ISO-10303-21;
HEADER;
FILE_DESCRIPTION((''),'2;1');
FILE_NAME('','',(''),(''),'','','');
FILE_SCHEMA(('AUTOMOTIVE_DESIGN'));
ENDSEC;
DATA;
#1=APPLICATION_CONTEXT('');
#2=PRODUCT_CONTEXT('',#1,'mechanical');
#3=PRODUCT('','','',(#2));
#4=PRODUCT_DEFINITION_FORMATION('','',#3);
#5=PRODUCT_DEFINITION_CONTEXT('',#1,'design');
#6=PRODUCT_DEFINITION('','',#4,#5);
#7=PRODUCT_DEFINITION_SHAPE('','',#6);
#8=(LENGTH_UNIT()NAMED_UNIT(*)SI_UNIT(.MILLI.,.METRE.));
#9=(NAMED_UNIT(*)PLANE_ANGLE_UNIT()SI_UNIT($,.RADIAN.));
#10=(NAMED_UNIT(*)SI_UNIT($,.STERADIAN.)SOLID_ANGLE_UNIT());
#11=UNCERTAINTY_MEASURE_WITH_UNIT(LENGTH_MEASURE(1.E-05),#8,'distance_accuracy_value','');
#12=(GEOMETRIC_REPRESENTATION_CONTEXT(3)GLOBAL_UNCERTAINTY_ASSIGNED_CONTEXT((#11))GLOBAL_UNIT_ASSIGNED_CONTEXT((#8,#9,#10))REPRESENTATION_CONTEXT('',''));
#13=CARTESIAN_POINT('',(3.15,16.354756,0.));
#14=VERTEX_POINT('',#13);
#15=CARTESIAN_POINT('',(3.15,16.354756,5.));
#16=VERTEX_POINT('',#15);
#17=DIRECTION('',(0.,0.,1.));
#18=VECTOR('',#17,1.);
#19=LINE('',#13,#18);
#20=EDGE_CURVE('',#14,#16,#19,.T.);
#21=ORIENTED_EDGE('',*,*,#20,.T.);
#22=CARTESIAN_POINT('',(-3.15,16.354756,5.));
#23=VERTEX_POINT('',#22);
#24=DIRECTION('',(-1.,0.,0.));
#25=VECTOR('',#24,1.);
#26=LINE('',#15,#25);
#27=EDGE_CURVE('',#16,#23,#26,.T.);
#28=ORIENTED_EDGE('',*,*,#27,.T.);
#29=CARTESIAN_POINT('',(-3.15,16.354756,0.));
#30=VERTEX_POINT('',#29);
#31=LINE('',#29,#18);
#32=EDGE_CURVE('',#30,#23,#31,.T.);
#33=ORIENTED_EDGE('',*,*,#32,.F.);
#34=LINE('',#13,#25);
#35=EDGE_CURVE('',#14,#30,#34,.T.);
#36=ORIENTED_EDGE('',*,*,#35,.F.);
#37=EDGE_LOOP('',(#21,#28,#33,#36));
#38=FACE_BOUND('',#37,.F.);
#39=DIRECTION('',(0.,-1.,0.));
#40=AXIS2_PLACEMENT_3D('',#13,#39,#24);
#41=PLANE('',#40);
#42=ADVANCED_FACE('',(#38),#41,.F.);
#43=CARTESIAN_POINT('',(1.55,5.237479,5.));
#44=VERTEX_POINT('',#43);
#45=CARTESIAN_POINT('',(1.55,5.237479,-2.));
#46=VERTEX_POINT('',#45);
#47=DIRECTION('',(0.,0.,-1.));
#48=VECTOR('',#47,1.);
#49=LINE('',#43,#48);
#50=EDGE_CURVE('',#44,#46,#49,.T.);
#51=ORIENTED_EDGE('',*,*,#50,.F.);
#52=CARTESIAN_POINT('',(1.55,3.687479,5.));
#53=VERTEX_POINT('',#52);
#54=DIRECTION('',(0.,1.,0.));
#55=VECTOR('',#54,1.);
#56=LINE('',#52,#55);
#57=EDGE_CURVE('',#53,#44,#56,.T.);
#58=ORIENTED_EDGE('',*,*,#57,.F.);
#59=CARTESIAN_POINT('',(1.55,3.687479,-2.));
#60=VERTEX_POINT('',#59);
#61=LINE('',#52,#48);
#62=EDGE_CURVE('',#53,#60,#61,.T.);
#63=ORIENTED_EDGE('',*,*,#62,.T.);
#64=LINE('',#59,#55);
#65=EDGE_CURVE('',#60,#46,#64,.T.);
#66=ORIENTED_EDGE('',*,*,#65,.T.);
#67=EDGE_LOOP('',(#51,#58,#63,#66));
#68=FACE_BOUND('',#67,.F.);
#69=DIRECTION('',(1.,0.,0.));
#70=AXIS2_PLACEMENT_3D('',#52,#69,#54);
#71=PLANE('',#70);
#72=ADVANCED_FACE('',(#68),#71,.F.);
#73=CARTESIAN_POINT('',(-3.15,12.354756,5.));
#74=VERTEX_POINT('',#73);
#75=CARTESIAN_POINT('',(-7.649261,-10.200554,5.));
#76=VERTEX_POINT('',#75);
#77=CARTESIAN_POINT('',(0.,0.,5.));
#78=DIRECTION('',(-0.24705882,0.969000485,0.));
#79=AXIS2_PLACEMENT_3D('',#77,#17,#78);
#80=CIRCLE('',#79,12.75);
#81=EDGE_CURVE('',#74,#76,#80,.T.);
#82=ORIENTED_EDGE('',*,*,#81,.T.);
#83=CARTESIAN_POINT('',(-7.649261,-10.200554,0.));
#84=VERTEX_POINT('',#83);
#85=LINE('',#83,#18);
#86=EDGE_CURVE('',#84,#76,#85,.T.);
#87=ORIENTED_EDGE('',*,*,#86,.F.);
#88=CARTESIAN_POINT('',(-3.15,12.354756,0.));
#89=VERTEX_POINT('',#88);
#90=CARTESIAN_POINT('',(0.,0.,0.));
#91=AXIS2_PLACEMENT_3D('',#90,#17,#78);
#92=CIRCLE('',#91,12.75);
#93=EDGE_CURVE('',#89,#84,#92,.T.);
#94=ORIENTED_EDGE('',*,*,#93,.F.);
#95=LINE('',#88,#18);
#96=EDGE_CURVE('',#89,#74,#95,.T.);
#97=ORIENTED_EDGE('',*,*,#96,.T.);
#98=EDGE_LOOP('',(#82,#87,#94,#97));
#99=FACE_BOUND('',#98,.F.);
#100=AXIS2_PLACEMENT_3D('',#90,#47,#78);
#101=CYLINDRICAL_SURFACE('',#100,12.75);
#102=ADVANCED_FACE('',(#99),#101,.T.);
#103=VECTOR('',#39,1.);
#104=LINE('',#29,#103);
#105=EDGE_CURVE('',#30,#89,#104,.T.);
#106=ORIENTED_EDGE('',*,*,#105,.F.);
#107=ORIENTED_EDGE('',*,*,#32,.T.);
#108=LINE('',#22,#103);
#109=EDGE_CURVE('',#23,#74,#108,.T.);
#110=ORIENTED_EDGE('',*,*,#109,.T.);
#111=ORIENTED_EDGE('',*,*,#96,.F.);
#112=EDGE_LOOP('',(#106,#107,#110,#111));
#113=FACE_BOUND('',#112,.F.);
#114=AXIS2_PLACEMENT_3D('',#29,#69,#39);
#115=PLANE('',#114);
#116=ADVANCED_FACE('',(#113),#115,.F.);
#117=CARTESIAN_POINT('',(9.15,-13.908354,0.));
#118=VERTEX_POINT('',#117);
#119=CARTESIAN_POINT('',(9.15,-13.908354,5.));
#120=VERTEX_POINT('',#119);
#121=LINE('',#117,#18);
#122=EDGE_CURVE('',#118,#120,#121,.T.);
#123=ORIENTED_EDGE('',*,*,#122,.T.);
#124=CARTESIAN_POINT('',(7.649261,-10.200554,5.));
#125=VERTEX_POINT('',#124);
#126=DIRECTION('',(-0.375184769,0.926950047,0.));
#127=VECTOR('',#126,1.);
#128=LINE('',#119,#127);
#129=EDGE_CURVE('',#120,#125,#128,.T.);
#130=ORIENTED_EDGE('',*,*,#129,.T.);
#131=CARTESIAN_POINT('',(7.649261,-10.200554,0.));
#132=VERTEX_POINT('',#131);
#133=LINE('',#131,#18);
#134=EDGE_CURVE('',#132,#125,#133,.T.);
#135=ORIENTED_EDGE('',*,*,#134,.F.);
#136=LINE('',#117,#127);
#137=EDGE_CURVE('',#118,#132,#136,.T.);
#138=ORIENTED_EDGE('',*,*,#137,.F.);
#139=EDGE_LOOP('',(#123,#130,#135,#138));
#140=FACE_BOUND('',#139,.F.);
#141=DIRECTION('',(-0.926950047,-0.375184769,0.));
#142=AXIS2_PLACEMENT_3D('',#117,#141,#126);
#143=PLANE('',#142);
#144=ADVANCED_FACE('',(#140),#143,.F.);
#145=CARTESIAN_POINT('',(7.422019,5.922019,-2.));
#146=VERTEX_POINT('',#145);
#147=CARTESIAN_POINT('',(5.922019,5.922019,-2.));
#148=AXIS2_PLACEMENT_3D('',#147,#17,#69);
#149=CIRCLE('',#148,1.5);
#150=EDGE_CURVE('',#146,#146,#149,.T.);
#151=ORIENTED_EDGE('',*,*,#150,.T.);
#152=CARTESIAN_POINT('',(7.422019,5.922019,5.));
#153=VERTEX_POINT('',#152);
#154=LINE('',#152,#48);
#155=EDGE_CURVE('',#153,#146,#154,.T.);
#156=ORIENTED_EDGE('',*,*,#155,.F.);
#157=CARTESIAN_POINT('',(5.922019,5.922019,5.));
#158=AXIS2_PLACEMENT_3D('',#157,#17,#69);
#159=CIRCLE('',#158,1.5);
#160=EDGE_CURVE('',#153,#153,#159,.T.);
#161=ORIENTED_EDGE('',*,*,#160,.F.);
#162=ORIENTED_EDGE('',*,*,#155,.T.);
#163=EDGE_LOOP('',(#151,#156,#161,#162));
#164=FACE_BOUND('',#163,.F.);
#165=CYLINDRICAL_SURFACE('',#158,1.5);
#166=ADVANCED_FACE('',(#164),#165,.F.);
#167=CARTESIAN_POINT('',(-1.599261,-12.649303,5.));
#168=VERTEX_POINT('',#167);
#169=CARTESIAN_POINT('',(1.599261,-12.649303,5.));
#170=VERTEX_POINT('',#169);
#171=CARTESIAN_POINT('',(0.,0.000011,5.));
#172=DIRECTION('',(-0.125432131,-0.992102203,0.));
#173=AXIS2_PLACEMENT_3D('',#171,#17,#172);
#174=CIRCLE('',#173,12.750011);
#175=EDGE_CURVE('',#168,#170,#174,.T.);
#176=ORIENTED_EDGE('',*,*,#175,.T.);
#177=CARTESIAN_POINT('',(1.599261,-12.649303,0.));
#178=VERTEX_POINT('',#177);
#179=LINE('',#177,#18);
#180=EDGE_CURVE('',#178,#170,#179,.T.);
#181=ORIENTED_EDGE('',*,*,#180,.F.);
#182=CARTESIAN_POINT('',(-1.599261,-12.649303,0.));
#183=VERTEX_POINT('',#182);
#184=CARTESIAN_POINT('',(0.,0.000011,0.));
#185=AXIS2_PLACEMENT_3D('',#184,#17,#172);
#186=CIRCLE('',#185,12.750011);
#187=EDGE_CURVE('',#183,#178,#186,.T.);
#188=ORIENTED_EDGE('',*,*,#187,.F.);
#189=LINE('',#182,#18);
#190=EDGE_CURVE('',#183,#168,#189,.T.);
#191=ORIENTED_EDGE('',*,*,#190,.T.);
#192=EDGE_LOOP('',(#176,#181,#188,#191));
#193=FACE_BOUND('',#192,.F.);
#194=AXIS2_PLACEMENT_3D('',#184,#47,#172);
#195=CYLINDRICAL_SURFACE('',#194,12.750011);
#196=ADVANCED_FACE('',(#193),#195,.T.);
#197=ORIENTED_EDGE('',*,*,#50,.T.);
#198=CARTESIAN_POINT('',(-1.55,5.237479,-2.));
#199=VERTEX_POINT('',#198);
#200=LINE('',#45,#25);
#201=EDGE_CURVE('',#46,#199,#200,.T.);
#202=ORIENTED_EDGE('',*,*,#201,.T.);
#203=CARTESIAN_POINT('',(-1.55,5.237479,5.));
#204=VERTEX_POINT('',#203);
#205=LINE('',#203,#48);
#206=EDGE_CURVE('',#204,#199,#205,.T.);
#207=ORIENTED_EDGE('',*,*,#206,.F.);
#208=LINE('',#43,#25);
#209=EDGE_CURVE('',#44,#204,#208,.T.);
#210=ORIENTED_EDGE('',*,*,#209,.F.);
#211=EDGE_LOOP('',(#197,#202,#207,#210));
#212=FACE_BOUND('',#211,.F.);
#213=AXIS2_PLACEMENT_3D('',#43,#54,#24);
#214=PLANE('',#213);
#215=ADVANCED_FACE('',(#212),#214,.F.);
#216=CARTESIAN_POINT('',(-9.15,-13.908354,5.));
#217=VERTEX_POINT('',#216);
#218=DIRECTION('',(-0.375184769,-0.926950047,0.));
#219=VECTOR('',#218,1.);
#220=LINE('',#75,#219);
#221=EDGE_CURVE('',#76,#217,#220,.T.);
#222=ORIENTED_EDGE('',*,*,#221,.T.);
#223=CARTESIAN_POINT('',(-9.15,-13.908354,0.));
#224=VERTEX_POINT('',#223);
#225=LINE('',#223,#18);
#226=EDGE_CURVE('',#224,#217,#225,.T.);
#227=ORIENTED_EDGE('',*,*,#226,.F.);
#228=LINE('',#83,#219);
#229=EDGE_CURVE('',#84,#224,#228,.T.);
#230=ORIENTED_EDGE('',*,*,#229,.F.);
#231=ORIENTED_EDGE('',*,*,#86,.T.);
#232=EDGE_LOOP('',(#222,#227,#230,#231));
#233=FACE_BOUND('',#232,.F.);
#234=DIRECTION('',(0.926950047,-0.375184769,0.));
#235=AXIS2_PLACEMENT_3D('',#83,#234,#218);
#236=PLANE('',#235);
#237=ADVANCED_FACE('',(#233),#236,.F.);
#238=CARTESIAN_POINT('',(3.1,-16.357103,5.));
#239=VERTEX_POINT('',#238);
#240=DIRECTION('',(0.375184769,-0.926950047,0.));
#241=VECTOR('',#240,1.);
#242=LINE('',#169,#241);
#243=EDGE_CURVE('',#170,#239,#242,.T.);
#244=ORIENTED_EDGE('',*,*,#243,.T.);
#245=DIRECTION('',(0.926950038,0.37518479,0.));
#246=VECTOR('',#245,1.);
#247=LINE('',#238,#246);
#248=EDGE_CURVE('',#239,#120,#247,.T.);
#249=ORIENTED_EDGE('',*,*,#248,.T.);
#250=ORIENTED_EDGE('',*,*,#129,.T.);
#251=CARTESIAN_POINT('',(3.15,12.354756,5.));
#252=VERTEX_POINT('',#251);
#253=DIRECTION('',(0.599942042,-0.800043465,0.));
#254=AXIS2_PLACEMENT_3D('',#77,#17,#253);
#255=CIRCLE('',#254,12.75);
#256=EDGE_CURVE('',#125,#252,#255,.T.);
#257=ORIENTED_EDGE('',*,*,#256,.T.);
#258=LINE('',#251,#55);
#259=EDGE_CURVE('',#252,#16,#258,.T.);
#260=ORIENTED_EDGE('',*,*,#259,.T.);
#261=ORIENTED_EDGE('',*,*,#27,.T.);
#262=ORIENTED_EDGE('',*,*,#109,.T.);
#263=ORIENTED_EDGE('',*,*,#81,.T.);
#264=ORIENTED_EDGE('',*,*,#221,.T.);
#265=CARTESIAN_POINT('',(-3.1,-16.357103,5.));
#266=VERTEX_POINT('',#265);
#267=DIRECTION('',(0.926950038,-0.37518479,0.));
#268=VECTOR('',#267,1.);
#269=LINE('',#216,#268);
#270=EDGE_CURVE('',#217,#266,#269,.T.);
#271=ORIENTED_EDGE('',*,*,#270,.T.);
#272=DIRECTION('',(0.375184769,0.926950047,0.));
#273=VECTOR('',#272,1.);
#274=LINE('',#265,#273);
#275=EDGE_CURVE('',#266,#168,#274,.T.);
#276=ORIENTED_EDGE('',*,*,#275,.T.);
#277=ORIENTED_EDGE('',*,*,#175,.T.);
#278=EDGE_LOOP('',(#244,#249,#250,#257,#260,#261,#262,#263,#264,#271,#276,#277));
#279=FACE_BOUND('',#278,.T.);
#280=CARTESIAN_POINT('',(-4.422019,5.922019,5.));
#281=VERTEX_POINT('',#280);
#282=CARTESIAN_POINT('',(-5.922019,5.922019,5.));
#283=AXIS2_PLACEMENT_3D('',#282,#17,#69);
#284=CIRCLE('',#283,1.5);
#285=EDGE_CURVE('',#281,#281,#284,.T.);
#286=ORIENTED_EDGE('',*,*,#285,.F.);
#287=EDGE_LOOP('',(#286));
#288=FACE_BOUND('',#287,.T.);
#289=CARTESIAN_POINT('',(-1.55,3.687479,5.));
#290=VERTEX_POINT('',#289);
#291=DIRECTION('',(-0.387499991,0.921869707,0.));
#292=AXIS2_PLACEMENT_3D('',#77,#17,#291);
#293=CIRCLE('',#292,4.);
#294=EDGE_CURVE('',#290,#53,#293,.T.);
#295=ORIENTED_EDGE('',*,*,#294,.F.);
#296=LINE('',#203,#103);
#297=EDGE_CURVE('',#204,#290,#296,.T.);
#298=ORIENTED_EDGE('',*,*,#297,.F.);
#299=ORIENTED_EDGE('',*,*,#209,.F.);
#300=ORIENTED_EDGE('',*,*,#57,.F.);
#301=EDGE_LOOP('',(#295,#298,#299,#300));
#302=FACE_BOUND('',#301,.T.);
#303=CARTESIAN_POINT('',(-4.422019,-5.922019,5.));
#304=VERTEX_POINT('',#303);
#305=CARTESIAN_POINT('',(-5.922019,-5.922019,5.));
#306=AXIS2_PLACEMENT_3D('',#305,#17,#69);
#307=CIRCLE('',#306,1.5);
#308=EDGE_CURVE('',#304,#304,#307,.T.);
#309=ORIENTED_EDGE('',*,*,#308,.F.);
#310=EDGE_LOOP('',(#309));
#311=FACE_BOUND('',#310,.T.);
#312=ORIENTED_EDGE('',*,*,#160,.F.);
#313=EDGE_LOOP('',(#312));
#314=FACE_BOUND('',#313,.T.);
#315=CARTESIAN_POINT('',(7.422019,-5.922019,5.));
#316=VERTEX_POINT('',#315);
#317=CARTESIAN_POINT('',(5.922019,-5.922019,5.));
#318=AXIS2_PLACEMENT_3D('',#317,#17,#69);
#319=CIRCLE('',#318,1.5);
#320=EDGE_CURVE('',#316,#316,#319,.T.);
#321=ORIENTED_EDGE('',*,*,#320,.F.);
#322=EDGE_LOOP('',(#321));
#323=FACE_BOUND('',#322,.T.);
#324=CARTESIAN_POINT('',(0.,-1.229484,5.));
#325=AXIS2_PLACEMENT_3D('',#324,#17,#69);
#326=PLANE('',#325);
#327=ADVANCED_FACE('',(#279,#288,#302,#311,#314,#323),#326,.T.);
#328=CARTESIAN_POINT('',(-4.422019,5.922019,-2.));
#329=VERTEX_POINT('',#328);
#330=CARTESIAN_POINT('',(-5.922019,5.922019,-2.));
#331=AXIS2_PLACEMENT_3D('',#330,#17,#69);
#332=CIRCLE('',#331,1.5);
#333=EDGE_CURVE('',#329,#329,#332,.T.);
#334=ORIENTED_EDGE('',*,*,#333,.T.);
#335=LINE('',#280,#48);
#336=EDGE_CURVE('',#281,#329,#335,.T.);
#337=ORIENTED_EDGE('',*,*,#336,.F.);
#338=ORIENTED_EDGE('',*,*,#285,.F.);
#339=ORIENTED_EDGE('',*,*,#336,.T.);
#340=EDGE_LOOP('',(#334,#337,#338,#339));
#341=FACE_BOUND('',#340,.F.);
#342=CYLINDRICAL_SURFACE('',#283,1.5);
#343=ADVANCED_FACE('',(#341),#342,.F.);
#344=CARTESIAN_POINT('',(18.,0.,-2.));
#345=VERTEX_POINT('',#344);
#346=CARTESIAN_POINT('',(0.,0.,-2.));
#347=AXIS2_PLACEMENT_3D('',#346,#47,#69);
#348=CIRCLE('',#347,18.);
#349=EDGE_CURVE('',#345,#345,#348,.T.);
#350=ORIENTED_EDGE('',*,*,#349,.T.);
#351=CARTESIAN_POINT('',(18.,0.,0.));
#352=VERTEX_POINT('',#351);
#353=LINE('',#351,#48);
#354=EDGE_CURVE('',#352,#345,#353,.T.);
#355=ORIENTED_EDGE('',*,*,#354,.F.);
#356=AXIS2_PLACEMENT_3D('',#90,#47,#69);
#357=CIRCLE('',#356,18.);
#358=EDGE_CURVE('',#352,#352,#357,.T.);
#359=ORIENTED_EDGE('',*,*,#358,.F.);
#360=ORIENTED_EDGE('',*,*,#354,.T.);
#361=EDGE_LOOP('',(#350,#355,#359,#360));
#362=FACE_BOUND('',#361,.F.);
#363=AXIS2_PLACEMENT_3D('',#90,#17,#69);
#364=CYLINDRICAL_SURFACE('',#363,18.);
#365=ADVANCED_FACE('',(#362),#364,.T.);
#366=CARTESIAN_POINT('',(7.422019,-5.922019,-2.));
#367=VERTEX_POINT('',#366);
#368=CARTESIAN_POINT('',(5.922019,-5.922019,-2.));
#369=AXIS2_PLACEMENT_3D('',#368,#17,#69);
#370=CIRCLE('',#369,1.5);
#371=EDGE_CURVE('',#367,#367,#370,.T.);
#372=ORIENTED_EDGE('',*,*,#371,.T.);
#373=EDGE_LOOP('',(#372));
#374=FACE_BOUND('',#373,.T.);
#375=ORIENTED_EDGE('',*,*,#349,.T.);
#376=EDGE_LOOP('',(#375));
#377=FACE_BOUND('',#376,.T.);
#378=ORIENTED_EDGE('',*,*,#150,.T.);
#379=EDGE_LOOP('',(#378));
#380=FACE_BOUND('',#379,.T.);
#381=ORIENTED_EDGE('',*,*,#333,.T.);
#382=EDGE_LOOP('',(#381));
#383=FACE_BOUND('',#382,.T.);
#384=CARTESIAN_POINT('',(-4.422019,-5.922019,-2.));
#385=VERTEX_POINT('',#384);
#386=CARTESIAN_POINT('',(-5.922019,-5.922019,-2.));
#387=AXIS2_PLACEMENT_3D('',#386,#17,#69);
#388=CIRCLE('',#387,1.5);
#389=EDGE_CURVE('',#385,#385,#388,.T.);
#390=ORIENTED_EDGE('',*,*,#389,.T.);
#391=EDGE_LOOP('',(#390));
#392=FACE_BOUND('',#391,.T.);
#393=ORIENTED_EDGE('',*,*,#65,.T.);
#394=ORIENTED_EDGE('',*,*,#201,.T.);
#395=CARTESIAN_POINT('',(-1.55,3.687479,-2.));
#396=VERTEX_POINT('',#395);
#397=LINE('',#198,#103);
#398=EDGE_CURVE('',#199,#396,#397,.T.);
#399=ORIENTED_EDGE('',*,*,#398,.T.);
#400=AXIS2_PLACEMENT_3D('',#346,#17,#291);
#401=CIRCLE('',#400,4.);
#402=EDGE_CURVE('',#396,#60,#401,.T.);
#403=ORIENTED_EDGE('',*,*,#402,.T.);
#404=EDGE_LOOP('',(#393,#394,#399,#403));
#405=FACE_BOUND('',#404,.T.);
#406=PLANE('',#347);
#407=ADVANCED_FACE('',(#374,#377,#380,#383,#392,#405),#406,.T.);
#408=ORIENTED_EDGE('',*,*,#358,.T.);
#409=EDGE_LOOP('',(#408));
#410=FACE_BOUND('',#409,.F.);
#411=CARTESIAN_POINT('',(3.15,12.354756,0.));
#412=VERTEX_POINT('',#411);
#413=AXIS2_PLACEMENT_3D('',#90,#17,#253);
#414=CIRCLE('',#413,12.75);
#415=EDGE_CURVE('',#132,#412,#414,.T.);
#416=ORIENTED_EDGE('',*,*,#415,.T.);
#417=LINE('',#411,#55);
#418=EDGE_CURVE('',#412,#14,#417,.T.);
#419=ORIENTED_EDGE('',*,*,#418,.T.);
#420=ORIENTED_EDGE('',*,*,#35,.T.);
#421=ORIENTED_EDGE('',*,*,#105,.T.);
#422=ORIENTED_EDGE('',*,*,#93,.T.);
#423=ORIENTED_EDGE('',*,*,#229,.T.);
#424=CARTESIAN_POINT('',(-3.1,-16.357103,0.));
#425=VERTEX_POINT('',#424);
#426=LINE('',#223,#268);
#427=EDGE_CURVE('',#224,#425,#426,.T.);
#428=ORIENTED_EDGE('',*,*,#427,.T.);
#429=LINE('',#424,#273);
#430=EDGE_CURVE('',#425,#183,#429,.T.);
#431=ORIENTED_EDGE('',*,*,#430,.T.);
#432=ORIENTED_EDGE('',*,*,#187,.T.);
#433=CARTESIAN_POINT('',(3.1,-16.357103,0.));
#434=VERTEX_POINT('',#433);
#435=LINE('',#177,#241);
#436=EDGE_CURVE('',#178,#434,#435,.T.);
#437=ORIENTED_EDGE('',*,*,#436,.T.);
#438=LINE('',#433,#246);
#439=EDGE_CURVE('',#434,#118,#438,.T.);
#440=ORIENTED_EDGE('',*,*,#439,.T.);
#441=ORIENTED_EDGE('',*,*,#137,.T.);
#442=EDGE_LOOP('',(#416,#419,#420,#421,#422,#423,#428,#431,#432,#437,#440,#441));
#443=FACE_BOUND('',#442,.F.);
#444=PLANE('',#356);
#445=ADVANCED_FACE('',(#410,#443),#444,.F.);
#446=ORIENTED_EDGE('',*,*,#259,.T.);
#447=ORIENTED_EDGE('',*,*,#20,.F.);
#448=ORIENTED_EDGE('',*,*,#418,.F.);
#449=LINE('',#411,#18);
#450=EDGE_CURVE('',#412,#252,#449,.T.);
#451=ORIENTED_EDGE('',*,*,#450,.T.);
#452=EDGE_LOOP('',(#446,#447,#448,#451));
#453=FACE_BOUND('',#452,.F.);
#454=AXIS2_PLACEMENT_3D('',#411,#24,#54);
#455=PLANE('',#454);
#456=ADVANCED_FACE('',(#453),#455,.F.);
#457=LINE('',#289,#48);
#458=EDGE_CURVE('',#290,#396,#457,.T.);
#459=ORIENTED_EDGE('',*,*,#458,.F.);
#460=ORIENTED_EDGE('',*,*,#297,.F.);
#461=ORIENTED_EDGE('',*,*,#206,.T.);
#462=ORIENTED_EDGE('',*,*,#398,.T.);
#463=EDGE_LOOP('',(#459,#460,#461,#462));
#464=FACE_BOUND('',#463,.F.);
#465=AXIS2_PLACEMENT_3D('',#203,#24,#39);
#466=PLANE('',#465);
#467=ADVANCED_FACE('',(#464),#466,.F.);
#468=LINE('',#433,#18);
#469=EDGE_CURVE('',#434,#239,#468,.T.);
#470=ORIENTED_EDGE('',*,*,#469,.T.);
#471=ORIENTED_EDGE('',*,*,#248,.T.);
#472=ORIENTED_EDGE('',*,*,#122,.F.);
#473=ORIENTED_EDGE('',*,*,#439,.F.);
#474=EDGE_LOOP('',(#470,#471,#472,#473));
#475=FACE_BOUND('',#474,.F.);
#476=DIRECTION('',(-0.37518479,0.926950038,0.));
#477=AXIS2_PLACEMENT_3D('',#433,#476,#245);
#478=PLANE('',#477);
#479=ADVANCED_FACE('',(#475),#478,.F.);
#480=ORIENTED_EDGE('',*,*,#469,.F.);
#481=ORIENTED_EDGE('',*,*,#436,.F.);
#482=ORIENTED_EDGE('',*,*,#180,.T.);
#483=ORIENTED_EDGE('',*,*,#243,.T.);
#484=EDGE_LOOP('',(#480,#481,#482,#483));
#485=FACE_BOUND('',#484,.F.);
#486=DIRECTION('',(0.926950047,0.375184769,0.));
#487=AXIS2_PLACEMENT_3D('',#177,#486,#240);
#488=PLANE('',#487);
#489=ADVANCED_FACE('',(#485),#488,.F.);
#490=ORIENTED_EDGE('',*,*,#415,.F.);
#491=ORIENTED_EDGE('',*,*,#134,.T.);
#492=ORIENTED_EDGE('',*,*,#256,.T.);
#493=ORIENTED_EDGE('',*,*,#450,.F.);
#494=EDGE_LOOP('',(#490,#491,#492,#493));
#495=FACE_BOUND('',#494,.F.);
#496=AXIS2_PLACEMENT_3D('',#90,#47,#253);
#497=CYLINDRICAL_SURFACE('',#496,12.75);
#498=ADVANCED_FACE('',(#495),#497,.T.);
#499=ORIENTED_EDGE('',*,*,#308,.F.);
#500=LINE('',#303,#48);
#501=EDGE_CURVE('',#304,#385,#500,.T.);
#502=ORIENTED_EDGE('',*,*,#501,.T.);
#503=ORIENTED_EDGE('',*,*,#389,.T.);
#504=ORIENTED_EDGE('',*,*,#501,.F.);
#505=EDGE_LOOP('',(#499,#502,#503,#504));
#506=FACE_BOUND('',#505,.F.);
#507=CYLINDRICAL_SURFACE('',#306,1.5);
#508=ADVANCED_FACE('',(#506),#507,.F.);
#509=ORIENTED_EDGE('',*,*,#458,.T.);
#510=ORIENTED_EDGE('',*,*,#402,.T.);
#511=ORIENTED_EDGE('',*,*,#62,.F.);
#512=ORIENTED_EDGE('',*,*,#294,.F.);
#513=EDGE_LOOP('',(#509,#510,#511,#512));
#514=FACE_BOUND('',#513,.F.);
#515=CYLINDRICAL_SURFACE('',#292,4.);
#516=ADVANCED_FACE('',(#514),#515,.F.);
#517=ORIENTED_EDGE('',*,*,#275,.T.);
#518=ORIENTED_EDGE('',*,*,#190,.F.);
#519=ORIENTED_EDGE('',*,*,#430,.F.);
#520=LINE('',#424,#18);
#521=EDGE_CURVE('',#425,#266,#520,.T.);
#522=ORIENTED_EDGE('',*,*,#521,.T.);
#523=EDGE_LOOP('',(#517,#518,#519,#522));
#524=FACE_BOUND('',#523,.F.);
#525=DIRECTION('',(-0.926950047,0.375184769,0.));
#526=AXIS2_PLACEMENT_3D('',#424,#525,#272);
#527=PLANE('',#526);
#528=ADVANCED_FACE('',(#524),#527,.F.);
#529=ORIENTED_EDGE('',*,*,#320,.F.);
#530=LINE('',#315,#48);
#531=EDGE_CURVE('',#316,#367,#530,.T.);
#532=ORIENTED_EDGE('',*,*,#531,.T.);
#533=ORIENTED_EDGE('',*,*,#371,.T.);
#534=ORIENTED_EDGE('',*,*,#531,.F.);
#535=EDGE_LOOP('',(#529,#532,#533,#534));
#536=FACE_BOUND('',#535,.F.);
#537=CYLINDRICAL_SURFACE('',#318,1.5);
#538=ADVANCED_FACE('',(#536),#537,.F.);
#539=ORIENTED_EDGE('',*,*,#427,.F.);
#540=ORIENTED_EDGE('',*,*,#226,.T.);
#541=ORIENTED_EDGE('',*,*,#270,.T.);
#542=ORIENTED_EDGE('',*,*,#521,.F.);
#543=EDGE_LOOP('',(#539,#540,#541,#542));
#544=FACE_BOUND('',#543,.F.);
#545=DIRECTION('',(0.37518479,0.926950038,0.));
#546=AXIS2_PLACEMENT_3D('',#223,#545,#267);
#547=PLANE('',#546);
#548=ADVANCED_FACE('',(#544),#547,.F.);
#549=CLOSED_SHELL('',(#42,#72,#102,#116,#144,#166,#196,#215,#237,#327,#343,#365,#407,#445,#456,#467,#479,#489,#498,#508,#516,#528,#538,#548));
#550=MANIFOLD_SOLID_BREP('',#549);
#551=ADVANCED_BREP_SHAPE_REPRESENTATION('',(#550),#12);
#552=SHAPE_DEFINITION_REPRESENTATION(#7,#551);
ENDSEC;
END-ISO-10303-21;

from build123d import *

# Parameters (mm, degrees)
F1_DEPTH = 5
F2_R     = 18
F3_DEPTH = 2
F4_R     = 1.5
F5_DEPTH = 7


with BuildPart() as f1:
    # F0 (on Top) → F1 (new body)
    with BuildSketch(Plane.XY):
        with BuildLine():
            Line((9.15, -13.908354), (7.649261, -10.200554))
            ThreePointArc((7.649261, -10.200554), (12.50366, 2.49419), (3.15, 12.354756))
            Line((3.15, 12.354756), (3.15, 16.354756))
            Line((3.15, 16.354756), (0, 16.354756))
            Line((0, 16.354756), (-3.15, 16.354756))
            Line((-3.15, 16.354756), (-3.15, 12.354756))
            ThreePointArc((-3.15, 12.354756), (-12.50366, 2.49419), (-7.649261, -10.200554))
            Line((-7.649261, -10.200554), (-9.15, -13.908354))
            Line((-9.15, -13.908354), (-3.1, -16.357103))
            Line((-3.1, -16.357103), (-1.599261, -12.649303))
            ThreePointArc((-1.599261, -12.649303), (0, -12.75), (1.599261, -12.649303))
            Line((1.599261, -12.649303), (3.1, -16.357103))
            Line((3.1, -16.357103), (9.15, -13.908354))
        make_face()
    extrude(amount=F1_DEPTH)

    # F2 (on face) → F3 (join)
    with BuildSketch(Plane(origin=(0, 0, 0), x_dir=(1, 0, 0), z_dir=(0, 0, -1))):
        Circle(F2_R)
    extrude(amount=F3_DEPTH)

    # F4 (on face) → F5 (cut, through all)
    with BuildSketch(Plane.XY.offset(5)):
        with BuildLine():
            Line((-1.55, 5.237479), (-1.55, 3.687479))
            ThreePointArc((-1.55, 3.687479), (0, -4), (1.55, 3.687479))
            Line((1.55, 3.687479), (1.55, 5.237479))
            Line((1.55, 5.237479), (0, 5.237479))
            Line((0, 5.237479), (-1.55, 5.237479))
        make_face()
        with Locations((-5.922019, 5.922019)):
            Circle(F4_R)
        with Locations((-5.922019, -5.922019)):
            Circle(F4_R)
        with Locations((5.922019, -5.922019)):
            Circle(F4_R)
        with Locations((5.922019, 5.922019)):
            Circle(F4_R)
    extrude(amount=-F5_DEPTH, mode=Mode.SUBTRACT)


solid = f1.part
